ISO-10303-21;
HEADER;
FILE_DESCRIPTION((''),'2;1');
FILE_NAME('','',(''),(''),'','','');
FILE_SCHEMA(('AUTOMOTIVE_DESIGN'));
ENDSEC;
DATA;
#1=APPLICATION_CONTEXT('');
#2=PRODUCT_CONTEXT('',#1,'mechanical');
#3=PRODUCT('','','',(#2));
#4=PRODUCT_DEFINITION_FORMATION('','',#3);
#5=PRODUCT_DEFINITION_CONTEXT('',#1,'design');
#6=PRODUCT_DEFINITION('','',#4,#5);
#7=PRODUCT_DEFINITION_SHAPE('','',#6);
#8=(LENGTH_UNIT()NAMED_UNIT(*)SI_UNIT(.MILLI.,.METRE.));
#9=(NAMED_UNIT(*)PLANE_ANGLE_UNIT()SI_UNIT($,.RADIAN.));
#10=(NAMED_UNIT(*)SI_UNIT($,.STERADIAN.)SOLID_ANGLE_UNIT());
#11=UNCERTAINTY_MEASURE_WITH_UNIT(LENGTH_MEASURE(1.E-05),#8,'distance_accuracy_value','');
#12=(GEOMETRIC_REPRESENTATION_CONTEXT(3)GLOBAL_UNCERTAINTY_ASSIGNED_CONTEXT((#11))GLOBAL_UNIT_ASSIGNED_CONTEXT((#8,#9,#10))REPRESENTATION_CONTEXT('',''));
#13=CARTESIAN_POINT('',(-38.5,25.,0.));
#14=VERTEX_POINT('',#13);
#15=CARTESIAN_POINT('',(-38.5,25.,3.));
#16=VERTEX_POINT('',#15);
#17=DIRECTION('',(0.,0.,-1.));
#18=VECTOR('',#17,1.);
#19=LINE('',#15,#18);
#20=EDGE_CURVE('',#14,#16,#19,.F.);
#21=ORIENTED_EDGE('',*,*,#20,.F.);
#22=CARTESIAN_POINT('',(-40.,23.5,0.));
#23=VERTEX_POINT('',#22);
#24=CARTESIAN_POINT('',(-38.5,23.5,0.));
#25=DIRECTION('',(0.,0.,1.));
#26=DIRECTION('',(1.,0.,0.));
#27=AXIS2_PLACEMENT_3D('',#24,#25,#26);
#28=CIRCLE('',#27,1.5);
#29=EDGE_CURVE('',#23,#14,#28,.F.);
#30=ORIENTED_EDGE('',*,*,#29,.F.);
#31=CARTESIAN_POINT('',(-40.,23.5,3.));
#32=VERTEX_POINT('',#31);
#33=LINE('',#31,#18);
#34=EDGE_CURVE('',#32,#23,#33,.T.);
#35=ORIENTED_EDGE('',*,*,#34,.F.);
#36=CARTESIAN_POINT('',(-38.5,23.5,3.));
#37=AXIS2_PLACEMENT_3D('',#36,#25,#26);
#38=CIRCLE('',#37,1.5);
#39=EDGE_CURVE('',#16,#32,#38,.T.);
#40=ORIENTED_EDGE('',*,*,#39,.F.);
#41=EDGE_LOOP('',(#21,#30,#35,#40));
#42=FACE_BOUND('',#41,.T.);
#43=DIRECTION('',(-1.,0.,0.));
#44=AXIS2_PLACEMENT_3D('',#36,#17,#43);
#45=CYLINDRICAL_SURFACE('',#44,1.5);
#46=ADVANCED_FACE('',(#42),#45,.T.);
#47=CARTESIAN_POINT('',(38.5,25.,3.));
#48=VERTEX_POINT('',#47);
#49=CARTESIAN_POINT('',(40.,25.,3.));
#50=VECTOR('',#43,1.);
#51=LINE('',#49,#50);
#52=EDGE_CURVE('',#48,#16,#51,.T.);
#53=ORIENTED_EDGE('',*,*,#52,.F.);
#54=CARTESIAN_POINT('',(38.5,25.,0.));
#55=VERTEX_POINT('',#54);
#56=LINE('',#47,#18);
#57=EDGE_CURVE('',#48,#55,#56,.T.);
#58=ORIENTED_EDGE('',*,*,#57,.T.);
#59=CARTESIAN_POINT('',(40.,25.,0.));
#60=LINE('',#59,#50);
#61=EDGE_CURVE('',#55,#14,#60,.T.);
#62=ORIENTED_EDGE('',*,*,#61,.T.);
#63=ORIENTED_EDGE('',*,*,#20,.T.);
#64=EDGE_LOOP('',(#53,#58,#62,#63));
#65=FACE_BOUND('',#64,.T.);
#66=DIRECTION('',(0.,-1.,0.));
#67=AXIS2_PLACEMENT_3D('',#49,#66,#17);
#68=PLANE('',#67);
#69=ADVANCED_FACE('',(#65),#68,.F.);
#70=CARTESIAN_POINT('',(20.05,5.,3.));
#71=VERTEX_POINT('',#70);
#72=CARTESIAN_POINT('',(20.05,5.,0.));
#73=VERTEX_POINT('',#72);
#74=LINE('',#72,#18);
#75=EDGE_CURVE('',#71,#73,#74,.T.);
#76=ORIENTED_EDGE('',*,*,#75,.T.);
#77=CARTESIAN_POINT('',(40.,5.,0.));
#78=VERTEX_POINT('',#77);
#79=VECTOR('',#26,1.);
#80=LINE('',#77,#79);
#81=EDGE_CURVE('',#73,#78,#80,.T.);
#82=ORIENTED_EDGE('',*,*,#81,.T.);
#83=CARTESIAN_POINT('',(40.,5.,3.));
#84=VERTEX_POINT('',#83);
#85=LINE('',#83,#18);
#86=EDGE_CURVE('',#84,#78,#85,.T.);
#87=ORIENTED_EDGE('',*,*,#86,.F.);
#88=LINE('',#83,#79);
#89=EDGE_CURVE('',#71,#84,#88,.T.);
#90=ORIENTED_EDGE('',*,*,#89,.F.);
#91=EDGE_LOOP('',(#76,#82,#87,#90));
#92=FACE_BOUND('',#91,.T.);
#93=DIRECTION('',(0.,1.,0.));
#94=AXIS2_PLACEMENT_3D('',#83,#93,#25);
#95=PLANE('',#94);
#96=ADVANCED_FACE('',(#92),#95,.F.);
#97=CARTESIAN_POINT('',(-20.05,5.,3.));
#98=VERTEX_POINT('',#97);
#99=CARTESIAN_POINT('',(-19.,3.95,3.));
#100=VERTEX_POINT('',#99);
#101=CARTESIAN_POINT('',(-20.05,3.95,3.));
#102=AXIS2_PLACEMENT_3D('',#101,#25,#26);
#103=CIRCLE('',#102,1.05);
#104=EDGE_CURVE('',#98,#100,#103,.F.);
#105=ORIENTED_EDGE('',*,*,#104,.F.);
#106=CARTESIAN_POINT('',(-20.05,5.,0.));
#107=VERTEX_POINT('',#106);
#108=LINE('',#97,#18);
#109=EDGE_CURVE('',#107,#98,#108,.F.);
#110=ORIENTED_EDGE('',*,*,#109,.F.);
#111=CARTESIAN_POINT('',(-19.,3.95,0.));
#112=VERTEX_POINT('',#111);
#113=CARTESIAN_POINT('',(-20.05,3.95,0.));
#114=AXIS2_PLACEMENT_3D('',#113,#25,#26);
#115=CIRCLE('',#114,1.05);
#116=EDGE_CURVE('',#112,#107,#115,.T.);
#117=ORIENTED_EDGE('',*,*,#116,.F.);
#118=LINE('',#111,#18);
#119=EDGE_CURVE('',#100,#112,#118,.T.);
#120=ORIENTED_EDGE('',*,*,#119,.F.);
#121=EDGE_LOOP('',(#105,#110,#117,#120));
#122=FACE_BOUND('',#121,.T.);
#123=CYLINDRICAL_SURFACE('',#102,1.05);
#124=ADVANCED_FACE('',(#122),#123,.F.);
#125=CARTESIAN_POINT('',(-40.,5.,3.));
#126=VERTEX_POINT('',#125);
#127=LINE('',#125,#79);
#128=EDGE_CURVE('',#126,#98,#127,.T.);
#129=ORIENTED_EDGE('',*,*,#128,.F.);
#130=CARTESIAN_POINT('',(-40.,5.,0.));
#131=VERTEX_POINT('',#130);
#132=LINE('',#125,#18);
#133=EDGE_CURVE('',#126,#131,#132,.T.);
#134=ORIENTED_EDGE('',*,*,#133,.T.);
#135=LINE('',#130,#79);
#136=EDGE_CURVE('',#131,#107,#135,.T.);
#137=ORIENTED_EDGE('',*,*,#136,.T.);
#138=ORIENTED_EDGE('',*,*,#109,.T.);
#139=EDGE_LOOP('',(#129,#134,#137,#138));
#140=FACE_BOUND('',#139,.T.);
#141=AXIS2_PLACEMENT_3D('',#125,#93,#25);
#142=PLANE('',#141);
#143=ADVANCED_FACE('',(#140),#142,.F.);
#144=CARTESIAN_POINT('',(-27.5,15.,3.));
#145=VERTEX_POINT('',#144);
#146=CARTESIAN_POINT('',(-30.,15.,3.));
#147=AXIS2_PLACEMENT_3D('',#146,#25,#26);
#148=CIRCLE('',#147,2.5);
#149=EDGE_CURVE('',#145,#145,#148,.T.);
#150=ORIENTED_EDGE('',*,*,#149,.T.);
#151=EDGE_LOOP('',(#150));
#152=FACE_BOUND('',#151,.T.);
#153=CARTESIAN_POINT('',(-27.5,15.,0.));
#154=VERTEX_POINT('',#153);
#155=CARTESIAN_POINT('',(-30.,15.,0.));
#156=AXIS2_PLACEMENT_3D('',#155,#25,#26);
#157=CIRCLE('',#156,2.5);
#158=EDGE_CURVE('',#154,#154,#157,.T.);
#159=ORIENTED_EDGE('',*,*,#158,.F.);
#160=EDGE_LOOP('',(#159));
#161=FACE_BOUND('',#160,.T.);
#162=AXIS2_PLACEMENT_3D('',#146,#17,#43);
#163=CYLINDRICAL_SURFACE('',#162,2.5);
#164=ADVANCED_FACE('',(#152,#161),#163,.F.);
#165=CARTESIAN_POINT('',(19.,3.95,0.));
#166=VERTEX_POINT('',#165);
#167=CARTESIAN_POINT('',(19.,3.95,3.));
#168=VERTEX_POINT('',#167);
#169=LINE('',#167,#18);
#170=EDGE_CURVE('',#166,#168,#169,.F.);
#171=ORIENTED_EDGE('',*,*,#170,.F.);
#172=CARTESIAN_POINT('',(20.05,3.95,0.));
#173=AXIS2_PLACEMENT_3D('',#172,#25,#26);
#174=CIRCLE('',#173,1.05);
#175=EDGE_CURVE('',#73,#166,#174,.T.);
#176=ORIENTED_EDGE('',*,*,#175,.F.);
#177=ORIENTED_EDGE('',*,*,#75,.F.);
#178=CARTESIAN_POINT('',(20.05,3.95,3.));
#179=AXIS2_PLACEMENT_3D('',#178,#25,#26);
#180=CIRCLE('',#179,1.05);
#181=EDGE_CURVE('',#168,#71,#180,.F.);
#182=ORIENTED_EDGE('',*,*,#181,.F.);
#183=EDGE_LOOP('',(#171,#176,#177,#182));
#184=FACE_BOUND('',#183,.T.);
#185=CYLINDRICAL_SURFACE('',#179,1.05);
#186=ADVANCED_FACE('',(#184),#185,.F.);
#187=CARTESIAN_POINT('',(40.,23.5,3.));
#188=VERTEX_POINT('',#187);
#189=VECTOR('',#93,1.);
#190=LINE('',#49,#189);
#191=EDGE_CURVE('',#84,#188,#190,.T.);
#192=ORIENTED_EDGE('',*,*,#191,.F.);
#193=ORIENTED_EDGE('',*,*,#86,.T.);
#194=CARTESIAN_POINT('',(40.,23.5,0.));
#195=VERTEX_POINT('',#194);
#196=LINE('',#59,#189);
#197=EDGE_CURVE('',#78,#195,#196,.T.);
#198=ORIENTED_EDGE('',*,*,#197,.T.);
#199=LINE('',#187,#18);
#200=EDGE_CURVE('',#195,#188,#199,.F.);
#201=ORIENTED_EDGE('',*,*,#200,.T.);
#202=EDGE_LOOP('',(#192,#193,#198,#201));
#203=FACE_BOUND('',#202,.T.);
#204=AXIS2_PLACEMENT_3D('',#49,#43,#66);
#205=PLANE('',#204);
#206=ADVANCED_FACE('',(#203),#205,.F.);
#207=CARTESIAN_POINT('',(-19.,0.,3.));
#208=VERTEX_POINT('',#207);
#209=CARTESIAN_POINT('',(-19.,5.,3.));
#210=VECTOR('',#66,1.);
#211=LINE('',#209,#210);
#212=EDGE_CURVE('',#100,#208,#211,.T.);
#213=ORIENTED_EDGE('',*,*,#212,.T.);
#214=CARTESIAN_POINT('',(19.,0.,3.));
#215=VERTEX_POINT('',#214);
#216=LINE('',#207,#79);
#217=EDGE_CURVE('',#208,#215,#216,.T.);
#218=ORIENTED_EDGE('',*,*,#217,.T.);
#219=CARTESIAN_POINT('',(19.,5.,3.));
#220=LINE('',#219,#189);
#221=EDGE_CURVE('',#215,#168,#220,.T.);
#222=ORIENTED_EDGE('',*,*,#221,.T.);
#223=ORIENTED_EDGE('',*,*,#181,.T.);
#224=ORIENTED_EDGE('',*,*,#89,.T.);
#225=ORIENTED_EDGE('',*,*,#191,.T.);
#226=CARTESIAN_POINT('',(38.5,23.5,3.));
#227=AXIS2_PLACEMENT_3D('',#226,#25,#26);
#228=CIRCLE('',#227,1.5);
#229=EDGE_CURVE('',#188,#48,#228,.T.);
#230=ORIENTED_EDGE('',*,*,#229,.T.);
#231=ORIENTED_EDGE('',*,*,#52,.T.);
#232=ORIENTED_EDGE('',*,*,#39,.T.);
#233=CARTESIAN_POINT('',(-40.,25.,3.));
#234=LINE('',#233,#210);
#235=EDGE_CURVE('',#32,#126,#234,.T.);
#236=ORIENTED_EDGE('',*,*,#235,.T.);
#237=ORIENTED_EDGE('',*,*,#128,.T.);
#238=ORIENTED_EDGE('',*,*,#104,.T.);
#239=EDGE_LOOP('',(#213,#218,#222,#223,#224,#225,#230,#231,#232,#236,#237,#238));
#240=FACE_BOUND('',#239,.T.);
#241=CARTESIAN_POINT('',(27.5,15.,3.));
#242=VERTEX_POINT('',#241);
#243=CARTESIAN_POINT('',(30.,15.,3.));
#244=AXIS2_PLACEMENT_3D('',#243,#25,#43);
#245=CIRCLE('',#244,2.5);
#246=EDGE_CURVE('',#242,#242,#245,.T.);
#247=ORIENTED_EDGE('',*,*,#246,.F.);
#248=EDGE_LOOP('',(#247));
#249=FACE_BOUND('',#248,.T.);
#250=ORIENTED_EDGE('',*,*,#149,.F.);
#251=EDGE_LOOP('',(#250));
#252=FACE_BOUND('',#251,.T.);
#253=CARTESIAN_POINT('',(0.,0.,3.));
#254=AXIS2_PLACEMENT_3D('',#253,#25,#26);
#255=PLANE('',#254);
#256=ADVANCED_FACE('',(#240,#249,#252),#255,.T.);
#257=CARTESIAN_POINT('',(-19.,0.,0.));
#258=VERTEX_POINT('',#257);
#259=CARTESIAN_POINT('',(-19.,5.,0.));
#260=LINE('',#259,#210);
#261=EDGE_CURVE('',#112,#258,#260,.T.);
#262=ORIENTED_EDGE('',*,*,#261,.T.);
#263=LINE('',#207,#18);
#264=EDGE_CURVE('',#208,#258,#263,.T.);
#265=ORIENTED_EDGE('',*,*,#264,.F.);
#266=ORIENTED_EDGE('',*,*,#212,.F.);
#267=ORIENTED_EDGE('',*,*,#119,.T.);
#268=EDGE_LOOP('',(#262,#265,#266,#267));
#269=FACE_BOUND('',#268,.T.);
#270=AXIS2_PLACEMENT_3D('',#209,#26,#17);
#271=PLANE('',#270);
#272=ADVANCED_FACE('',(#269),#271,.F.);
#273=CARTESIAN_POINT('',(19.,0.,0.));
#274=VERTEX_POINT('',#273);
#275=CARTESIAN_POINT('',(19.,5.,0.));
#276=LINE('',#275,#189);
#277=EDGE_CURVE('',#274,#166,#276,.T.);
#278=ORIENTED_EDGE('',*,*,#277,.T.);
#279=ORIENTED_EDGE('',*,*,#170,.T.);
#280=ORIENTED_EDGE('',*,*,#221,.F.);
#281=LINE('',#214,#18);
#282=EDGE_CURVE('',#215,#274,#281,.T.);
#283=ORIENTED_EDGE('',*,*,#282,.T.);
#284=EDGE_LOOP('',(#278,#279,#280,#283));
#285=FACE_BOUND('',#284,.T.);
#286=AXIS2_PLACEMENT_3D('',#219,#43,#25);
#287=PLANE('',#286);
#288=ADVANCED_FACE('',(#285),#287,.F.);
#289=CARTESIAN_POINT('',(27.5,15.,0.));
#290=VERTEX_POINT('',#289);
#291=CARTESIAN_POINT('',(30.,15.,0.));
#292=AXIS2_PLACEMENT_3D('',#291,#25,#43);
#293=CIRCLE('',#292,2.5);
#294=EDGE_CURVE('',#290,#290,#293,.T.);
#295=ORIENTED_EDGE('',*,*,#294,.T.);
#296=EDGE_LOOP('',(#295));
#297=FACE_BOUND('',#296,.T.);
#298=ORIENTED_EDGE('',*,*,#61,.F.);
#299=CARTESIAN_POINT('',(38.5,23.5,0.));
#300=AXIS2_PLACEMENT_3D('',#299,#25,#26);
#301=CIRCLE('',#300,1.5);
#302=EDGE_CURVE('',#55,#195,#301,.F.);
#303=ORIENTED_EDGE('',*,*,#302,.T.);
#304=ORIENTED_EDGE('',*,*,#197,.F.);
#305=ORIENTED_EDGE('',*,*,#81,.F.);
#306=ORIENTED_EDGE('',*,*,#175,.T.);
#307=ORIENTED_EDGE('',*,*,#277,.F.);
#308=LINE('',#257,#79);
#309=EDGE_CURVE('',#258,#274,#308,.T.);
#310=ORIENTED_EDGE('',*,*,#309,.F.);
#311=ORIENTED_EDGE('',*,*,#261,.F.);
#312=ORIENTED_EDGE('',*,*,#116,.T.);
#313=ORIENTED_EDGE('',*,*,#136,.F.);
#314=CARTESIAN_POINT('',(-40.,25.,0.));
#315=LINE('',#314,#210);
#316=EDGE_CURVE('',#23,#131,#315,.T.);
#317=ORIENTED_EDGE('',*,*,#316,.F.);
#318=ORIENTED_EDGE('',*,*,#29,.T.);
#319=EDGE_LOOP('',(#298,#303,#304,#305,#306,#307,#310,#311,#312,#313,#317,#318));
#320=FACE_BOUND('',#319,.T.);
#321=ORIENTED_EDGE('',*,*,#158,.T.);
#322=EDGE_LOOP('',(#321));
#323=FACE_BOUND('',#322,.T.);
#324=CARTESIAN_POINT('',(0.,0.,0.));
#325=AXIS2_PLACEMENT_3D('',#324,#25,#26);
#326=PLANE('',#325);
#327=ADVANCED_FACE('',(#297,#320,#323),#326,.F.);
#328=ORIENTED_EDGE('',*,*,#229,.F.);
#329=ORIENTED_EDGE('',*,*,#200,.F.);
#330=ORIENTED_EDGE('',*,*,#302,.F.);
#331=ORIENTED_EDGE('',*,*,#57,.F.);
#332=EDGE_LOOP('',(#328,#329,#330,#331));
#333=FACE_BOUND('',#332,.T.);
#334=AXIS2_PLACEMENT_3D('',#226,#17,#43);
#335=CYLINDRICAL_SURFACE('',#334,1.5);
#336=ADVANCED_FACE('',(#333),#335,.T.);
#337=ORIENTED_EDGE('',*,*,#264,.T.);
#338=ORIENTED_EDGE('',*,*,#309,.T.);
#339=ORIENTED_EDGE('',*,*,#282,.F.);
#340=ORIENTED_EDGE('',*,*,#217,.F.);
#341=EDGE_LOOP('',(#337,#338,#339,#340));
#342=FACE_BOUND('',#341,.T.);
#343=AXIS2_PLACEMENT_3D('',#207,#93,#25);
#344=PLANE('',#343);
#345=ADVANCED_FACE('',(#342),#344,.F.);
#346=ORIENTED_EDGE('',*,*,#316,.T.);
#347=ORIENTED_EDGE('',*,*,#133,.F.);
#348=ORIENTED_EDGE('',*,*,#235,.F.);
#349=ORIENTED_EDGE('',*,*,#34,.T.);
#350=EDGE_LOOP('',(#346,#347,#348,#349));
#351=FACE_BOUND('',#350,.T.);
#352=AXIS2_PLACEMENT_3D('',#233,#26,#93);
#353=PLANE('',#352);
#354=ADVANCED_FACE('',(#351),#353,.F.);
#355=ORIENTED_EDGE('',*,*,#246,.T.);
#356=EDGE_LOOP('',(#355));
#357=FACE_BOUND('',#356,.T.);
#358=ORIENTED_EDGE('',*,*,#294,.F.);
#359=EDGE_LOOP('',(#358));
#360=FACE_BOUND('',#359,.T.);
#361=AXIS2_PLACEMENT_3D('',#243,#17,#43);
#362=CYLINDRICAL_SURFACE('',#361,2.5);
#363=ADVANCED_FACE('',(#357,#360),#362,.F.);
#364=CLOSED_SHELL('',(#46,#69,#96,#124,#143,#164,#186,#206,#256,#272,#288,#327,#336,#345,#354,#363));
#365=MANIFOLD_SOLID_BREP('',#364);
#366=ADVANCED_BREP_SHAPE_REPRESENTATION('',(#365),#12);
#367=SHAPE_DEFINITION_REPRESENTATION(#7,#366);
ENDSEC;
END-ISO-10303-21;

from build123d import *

# Parameters (mm, degrees)
SKETCH_1_R      = 2.5
EXTRUDE_1_DEPTH = 3
FILLET_1_R      = 1.05
FILLET_2_R      = 1.5


with BuildPart() as part:
    # ｽｹｯﾁ1 → ﾎﾞｽ - 押し出し1 (new body)
    with BuildSketch(Plane.XY):
        Polygon((-19, 0), (19, 0), (19, 5), (40, 5), (40, 25), (-40, 25), (-40, 5), (-19, 5), align=None)
        with Locations((-30, 15)):
            Circle(SKETCH_1_R, mode=Mode.SUBTRACT)
        with Locations(Location((30, 15, 0), (0, 0, 180))):
            Circle(SKETCH_1_R, mode=Mode.SUBTRACT)
    extrude(amount=EXTRUDE_1_DEPTH)

    # ﾌｨﾚｯﾄ1
    fillet_1_edges = [part.edges().sort_by_distance(p)[0] for p in [
        (-19, 5, 1.5),
        (19, 5, 1.5),
    ]]
    fillet(fillet_1_edges, radius=FILLET_1_R)

    # ﾌｨﾚｯﾄ2
    fillet_2_edges = [part.edges().sort_by_distance(p)[0] for p in [
        (-40, 25, 1.5),
        (40, 25, 1.5),
    ]]
    fillet(fillet_2_edges, radius=FILLET_2_R)


solid = part.part
